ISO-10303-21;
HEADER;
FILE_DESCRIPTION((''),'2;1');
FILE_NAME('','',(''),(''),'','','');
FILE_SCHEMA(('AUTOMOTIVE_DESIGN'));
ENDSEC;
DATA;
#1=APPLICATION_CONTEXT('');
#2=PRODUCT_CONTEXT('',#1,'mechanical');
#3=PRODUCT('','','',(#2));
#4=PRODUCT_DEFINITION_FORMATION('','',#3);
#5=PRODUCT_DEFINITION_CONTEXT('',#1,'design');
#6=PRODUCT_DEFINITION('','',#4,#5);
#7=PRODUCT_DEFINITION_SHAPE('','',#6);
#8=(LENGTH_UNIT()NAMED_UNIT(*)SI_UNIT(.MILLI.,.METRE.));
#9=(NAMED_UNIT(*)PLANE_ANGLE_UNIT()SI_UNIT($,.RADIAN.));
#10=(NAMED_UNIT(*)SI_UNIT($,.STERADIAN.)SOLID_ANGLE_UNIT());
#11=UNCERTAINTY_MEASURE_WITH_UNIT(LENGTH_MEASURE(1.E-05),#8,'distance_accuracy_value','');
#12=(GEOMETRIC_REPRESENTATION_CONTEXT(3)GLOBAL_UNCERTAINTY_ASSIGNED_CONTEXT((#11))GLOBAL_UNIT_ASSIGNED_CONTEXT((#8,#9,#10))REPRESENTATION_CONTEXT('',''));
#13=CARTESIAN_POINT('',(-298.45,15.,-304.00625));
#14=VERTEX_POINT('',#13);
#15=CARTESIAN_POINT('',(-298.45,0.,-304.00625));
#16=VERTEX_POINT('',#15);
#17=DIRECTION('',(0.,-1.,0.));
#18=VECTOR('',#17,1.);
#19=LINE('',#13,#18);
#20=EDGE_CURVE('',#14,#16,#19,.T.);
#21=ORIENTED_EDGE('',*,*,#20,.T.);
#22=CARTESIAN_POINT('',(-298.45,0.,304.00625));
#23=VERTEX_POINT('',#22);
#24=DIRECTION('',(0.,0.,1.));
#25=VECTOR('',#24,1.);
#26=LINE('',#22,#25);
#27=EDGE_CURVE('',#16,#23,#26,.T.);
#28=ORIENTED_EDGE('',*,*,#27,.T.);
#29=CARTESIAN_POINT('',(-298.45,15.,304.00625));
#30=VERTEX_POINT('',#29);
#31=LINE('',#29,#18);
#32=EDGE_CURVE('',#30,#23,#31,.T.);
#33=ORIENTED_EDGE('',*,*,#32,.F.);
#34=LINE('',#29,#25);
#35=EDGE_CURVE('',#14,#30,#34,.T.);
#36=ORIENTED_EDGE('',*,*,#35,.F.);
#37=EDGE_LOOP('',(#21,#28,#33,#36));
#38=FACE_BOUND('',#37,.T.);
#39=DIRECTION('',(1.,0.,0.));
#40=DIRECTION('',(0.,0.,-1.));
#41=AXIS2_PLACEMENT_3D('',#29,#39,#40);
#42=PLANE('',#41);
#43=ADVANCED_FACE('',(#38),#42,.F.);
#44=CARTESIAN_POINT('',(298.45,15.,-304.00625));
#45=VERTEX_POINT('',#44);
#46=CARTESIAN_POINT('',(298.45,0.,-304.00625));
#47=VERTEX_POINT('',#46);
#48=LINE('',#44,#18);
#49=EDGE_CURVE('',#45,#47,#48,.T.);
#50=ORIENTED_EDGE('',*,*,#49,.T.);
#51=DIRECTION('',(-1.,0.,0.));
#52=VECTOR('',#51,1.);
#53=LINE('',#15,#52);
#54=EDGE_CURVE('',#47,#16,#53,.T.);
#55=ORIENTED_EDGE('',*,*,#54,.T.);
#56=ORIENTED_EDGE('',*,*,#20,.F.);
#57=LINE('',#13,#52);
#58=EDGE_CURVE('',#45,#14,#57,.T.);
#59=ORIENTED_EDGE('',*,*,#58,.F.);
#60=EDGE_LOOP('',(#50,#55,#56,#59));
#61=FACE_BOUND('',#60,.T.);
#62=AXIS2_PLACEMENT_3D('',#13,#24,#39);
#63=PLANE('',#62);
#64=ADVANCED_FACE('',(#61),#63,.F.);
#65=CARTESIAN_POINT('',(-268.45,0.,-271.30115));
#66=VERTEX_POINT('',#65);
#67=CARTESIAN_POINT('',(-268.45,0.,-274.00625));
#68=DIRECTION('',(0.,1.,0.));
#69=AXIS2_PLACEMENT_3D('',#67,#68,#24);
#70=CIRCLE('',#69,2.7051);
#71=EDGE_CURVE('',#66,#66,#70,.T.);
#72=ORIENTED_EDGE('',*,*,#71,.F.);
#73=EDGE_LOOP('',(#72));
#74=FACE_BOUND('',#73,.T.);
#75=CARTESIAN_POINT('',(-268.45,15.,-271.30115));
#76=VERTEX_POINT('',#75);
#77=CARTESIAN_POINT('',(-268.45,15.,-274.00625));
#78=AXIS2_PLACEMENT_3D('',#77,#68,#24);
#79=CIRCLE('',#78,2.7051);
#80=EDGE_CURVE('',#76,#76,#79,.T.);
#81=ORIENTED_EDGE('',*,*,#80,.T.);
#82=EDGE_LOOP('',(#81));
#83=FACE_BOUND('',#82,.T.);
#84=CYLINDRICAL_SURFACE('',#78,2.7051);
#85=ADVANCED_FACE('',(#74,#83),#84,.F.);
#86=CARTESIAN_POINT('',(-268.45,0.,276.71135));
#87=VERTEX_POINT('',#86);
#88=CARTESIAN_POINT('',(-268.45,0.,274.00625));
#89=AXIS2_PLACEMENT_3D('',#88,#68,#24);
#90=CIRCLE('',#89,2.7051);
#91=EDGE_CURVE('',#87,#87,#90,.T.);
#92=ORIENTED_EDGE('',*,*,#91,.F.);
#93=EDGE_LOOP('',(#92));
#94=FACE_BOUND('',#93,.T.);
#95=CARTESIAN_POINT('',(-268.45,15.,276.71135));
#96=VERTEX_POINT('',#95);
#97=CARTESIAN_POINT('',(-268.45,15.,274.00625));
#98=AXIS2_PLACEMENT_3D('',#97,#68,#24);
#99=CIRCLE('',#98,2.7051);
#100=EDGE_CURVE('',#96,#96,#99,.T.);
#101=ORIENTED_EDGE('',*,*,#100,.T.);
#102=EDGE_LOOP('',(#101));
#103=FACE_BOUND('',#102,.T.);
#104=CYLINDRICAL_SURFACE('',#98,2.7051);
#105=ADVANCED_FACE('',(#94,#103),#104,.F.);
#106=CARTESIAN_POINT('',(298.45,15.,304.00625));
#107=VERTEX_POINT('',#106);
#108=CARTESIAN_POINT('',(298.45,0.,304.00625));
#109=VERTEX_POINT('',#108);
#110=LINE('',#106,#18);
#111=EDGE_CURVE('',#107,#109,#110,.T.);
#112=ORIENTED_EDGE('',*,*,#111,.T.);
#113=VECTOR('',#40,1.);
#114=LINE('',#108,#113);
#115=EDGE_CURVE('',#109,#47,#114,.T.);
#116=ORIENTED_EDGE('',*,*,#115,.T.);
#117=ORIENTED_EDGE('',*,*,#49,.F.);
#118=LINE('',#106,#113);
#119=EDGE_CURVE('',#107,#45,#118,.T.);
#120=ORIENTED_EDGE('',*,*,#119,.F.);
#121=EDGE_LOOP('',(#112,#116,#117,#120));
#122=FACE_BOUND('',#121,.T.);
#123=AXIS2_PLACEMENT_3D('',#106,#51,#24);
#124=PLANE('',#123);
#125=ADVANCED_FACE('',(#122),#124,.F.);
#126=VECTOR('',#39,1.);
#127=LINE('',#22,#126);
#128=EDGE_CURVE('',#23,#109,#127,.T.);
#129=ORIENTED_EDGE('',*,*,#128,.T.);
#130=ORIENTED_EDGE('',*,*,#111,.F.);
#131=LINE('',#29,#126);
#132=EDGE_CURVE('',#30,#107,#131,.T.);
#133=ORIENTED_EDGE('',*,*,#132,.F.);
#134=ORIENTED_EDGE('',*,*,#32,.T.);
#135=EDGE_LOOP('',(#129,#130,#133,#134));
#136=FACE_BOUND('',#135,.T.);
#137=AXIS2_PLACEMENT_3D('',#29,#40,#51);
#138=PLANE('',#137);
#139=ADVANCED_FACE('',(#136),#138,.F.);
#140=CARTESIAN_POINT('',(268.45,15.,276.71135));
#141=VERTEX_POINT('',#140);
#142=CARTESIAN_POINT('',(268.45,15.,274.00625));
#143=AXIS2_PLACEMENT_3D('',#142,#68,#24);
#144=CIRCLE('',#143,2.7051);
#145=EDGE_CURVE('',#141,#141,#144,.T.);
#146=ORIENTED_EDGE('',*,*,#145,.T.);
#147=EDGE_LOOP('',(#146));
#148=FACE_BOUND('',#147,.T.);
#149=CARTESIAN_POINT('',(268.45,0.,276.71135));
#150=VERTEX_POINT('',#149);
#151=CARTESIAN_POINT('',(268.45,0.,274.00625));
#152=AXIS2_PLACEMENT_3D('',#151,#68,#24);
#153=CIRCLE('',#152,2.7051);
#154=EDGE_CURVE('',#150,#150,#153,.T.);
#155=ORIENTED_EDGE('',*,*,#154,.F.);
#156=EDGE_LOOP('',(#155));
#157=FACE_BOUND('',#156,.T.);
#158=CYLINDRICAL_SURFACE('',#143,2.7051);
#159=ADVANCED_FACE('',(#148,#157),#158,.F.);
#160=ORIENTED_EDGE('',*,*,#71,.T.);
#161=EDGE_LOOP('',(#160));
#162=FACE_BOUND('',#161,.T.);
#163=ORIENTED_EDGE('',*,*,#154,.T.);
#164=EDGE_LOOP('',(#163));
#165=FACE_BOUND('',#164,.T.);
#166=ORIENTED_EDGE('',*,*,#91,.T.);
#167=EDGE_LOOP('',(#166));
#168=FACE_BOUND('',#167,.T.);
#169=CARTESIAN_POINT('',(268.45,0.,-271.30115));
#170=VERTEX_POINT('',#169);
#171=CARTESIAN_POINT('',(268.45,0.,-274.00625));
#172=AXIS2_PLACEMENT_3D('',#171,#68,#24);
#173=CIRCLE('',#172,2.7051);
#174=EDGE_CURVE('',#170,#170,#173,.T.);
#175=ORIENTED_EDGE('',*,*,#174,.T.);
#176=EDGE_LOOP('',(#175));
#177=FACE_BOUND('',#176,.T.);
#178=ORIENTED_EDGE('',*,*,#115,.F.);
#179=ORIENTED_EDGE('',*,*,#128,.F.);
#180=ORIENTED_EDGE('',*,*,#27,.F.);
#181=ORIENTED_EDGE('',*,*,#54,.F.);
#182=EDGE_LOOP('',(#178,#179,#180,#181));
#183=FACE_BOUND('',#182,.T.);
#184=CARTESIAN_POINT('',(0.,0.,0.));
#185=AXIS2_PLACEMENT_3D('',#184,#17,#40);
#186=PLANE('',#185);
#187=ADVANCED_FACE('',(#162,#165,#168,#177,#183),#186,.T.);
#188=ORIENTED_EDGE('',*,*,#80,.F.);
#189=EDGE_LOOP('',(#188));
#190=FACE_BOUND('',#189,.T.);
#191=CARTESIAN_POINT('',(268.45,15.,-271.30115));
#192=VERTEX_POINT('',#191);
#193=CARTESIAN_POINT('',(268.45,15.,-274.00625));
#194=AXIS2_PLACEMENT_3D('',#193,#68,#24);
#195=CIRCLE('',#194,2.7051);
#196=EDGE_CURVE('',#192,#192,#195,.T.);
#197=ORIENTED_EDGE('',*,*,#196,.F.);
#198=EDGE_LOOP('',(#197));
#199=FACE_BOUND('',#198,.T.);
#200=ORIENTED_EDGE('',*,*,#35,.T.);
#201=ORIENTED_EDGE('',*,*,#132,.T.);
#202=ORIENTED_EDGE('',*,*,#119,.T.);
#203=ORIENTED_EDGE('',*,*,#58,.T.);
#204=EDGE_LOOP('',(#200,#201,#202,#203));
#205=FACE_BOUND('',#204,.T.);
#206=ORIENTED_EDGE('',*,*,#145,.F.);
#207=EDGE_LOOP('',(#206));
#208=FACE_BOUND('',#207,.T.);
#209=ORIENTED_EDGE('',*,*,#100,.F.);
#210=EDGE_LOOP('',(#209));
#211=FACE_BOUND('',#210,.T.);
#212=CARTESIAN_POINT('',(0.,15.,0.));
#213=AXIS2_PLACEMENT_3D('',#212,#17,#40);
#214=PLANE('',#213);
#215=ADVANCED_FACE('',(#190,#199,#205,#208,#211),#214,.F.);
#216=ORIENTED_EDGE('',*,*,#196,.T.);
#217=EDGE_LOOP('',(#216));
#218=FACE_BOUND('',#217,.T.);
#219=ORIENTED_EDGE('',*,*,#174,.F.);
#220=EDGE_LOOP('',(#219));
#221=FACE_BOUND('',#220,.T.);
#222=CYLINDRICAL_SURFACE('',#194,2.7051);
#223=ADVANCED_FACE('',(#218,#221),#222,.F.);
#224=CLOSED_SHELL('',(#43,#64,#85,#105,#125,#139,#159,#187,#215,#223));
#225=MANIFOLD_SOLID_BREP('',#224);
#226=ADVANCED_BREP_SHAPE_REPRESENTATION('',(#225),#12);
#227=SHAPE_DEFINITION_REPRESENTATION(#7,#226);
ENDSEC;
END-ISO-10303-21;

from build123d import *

# Parameters (mm, degrees)
SKETCH1_W               = 596.9
SKETCH1_H               = 608.0125
BOSS_EXTRUDE1_DEPTH     = 15
F_1_4_28_TAPPED_HOLE1_D = 5.4102


with BuildPart() as part:
    # Sketch1 → Boss-Extrude1 (new body)
    with BuildSketch(Plane(origin=(0, 0, 0), x_dir=(1, 0, 0), z_dir=(0, 1, 0))):
        Rectangle(SKETCH1_W, SKETCH1_H)
    extrude(amount=BOSS_EXTRUDE1_DEPTH)

    # 1/4-28 Tapped Hole1 (through all)
    with Locations(Plane(origin=(-268.45, 15, 274.00625), x_dir=(0, 0, 1), z_dir=(0, 1, 0))):
        with Locations((0, 0), (-548.0125, 0), (-548.0125, 536.9), (0, 536.9)):
            Hole(F_1_4_28_TAPPED_HOLE1_D / 2)


solid = part.part
